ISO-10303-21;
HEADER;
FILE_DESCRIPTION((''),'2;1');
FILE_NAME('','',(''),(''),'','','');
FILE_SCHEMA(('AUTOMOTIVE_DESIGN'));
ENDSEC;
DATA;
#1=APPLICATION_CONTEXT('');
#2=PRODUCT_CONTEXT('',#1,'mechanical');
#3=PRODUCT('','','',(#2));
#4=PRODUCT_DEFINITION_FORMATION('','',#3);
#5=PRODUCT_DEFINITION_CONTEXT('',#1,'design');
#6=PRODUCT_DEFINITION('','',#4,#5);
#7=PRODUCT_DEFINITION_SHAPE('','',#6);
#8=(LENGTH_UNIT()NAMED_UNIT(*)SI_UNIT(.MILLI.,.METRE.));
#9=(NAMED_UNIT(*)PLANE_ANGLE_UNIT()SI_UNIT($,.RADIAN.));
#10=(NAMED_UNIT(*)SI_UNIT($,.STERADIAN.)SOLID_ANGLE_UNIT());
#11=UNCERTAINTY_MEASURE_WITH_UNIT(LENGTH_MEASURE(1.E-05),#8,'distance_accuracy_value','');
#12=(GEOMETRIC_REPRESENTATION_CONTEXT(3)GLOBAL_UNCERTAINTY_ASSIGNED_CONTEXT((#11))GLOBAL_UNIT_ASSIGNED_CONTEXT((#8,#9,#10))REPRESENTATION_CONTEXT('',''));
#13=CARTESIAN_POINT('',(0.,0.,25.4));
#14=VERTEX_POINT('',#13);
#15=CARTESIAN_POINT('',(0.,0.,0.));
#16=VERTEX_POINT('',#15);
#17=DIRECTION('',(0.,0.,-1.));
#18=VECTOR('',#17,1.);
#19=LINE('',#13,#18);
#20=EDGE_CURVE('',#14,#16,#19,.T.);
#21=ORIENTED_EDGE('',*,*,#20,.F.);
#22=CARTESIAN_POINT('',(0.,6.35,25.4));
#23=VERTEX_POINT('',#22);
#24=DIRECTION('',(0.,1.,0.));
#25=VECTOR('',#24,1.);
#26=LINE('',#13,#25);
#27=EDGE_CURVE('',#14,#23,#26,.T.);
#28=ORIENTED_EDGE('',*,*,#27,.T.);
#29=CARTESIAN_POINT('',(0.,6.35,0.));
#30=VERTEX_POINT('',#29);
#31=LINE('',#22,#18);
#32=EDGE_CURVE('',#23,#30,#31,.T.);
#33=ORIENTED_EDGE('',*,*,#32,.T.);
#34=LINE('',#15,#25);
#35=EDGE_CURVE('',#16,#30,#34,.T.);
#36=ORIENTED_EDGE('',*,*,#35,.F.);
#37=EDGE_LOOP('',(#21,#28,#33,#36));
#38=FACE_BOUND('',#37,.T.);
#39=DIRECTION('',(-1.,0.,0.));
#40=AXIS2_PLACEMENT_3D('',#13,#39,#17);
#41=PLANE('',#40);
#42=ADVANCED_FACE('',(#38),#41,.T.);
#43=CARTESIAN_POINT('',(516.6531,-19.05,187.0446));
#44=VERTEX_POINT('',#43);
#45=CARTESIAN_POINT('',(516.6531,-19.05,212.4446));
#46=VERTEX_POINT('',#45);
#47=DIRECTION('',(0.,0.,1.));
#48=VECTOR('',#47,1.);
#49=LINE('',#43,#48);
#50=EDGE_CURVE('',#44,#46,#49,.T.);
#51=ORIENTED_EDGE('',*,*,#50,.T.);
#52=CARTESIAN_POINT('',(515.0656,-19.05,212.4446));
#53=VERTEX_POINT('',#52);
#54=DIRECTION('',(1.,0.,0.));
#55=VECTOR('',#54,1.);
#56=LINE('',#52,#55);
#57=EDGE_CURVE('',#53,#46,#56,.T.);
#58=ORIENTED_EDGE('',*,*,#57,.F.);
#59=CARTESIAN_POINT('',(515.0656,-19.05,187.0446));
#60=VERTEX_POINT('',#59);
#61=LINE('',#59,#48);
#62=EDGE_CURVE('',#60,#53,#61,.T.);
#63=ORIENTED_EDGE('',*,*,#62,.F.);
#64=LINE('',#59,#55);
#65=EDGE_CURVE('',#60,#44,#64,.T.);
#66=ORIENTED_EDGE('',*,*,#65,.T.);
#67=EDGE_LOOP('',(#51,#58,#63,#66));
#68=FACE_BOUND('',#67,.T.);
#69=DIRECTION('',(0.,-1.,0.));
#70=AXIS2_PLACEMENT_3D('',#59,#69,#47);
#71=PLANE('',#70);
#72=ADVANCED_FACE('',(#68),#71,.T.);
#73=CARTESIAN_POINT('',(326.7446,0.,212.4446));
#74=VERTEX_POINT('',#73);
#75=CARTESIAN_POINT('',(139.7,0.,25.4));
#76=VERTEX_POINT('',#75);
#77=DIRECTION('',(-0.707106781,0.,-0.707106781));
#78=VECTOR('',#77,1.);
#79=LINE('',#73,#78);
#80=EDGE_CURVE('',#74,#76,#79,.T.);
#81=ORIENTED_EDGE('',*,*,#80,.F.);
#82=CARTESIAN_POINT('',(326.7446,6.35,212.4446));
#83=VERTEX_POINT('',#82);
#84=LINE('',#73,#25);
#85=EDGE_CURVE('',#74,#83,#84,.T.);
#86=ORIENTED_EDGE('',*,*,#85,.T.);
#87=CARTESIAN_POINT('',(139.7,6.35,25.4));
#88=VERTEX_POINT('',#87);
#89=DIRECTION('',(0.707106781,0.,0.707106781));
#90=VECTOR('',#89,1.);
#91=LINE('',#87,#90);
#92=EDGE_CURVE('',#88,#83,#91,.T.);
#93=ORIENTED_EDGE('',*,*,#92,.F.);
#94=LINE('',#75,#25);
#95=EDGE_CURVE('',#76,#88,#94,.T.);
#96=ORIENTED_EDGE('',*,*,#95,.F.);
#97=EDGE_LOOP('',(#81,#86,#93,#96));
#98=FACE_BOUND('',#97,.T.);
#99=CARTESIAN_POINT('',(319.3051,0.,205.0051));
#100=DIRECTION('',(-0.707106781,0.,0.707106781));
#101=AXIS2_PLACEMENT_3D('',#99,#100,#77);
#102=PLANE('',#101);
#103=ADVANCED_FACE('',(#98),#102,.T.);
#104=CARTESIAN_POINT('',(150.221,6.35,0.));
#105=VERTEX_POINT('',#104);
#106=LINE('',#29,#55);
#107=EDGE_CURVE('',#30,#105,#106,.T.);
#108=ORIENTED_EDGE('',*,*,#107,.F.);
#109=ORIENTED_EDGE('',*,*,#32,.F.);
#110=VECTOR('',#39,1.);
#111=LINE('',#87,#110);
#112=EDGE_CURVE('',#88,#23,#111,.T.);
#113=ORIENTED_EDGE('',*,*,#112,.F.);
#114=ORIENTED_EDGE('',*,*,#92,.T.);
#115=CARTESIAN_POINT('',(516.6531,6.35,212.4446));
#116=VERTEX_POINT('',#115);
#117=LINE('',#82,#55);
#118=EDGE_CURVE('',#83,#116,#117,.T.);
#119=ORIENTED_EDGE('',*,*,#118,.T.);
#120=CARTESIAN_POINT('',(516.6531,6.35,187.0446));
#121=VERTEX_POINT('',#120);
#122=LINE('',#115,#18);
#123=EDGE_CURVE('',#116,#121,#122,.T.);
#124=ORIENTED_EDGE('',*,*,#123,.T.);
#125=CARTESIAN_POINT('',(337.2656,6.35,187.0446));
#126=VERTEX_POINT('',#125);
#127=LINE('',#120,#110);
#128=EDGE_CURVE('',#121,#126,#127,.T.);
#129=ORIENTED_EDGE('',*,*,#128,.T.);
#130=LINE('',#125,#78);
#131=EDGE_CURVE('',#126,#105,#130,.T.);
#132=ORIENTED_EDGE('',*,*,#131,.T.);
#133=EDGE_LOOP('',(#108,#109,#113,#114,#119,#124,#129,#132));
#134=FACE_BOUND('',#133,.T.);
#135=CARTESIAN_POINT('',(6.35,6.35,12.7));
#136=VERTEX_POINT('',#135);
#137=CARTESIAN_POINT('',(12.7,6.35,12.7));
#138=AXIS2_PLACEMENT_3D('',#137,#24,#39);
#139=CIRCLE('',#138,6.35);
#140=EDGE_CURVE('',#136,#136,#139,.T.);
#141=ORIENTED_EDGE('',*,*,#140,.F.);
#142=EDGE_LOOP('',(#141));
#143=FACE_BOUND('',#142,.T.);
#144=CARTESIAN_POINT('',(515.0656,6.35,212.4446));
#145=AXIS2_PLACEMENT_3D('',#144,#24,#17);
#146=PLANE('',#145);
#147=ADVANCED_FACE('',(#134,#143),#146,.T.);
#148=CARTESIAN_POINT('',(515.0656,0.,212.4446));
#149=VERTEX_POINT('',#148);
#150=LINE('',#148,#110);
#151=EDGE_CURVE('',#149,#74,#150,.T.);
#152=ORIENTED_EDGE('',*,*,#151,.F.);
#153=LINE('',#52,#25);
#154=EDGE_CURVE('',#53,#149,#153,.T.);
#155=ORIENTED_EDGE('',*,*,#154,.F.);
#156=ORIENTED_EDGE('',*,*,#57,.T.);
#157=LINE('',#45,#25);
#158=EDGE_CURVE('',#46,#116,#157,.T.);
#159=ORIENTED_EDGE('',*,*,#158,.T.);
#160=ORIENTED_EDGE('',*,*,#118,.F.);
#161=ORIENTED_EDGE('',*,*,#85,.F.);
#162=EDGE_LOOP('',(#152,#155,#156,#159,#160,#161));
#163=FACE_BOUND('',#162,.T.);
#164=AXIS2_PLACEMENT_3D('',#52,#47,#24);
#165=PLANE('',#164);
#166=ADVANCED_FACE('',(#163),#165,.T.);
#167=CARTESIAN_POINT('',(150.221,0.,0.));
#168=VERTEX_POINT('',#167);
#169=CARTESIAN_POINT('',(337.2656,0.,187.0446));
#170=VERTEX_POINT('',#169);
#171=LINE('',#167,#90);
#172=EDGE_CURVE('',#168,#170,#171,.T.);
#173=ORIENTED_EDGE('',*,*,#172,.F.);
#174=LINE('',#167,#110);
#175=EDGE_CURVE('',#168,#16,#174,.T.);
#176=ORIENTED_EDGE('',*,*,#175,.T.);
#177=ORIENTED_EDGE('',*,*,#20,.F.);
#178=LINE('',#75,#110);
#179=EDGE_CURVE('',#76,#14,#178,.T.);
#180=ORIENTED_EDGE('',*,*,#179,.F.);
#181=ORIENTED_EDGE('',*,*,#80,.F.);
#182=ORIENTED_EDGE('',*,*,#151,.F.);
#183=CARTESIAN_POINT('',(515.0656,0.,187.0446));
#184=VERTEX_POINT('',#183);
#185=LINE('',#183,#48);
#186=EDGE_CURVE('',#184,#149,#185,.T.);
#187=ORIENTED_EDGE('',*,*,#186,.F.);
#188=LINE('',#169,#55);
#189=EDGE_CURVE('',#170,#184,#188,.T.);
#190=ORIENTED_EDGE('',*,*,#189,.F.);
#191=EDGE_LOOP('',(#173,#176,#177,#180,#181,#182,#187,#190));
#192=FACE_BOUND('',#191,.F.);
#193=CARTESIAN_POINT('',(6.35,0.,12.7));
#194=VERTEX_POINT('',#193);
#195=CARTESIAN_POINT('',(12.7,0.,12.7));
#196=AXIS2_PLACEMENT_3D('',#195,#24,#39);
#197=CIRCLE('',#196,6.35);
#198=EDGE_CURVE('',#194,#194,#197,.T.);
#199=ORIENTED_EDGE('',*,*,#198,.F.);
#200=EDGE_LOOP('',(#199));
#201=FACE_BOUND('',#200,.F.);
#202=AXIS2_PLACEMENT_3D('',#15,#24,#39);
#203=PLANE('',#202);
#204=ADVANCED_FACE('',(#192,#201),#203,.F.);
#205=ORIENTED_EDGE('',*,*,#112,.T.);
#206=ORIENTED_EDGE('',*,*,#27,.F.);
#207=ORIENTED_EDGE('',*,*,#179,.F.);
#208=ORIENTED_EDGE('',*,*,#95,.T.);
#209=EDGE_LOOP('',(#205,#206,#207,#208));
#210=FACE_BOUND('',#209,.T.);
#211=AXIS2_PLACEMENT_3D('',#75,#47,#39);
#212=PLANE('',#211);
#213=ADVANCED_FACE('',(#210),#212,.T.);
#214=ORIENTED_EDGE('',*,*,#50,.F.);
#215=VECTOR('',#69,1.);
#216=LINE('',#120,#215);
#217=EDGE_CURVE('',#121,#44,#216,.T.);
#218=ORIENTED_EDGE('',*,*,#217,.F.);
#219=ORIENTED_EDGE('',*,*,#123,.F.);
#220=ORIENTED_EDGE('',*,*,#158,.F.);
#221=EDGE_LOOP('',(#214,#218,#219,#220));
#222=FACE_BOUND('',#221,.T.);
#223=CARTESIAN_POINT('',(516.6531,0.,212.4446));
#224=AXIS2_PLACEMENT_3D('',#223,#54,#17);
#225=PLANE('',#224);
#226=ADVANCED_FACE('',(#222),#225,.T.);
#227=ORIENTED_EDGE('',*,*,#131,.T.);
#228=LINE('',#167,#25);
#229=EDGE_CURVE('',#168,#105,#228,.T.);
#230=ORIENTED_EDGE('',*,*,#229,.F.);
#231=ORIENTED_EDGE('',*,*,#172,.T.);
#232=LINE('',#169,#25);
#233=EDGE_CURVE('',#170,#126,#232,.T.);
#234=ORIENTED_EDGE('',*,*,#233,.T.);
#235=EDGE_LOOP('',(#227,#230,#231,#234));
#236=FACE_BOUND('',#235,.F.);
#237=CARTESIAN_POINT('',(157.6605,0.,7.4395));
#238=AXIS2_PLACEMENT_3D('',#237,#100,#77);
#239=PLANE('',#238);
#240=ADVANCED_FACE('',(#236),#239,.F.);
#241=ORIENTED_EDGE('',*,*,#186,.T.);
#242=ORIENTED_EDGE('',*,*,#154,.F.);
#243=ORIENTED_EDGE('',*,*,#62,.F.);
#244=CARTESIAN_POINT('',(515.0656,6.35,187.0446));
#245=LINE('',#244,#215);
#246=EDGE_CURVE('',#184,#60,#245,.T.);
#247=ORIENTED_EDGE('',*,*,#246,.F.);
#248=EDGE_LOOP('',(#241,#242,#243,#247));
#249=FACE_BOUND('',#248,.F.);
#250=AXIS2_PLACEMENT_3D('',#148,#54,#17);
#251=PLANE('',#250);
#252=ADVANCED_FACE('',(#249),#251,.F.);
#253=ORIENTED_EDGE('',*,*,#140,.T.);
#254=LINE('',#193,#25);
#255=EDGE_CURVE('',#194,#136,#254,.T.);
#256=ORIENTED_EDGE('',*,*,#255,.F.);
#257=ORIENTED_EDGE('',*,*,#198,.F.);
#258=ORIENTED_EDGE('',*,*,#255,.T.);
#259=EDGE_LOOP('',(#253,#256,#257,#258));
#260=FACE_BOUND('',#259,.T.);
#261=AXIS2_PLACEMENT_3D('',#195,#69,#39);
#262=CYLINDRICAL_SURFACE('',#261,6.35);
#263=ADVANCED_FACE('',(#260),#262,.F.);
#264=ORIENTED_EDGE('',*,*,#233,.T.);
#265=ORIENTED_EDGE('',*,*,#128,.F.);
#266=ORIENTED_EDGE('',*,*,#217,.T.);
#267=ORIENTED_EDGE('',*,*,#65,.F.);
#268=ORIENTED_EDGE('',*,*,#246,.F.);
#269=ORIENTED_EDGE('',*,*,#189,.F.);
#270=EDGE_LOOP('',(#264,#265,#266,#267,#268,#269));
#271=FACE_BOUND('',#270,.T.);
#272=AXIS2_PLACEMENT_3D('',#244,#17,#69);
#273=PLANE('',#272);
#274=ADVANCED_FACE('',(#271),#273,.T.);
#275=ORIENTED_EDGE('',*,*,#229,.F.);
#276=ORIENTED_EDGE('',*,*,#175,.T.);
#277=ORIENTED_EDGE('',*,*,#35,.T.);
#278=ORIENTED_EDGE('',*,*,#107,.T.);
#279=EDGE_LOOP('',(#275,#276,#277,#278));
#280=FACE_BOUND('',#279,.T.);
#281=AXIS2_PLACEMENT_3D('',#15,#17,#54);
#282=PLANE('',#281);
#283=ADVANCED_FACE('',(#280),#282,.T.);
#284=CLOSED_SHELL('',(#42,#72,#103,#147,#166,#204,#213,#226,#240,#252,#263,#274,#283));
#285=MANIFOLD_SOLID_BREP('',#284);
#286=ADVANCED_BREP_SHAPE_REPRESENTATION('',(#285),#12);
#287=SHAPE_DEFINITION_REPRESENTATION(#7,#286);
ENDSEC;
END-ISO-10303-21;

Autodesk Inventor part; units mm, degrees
ref_plane "YZ Plane" through (0, 0, 0) normal (1, 0, 0) x (0, 1, 0)
ref_plane "XZ Plane" through (0, 0, 0) normal (0, 1, 0) x (-1, 0, 0)
ref_plane "XY Plane" through (0, 0, 0) normal (0, 0, 1) x (1, 0, 0)
sketch "Sketch1" plane through (0, 0, 0) normal (0, 1, 0) x (-1, 0, 0)
  line L0 (0, 0) -> (-139.7, 0)
  line L1 (-139.7, 0) -> (-139.7, 25.4)
  line L2 (-139.7, 25.4) -> (0, 25.4)
  line L3 (0, 25.4) -> (0, 0)
  line L4 (-139.7, 25.4) -> (-150.221, 0)
  line L5 (-139.7, 25.4) -> (-112.2072, 25.4) construction
  line L6 (-139.7, 25.4) -> (-157.6605, 7.4395)
  line L7 (-139.7, 25.4) -> (-114.3, 25.4) construction
  line L8 (-157.6605, 7.4395) -> (-150.221, 0)
  line L9 (-139.7, 25.4) -> (-157.6605, 7.4395)
  line L10 (-157.6605, 7.4395) -> (-337.2656, 187.0446)
  line L11 (-337.2656, 187.0446) -> (-319.3051, 205.0051)
  line L12 (-319.3051, 205.0051) -> (-139.7, 25.4)
  circle A0 centre (-12.7, 12.7) radius 6.35
  line L13 (-337.2656, 187.0446) -> (-515.0656, 187.0446)
  line L14 (-515.0656, 187.0446) -> (-515.0656, 212.4446)
  line L15 (-515.0656, 212.4446) -> (-337.2656, 212.4446)
  line L16 (-337.2656, 212.4446) -> (-337.2656, 187.0446)
  line L17 (-337.2656, 187.0446) -> (-326.7446, 212.4446)
  line L18 (-326.7446, 212.4446) -> (-337.2656, 212.4446)
  line L19 (-326.7446, 212.4446) -> (-319.3051, 205.0051)
  line L20 (-139.7, 0) -> (-150.221, 0)
  dimension "d0" = 139.7
  dimension "d1" = 25.4
  dimension "d2" = 112.5
  dimension "d3" = 25.4
  dimension "d4" = 135
  dimension "d5" = 254
  dimension "d6" = 12.7
  dimension "d7" = 177.8
  dimension "d8" = 25.4
extrude "Extrusion1" add sketch "Sketch1" along normal blind 6.35
sketch "Sketch2" plane through (515.0656, 0, 212.4446) normal (1, 0, 0) x (0, 0, -1)
  line L0 (0, 6.35) -> (25.4, 6.35)
  line L1 (25.4, 6.35) -> (25.4, -19.05)
  line L2 (25.4, -19.05) -> (0, -19.05)
  line L3 (0, -19.05) -> (0, 6.35)
  point P0 (212.4446, 0)
  dimension "d11" = 25.4
  dimension "d12" = 25.4
extrude "Extrusion2" add sketch "Sketch2" along normal blind 1.5875
properties part number "Z-PickupArm"
